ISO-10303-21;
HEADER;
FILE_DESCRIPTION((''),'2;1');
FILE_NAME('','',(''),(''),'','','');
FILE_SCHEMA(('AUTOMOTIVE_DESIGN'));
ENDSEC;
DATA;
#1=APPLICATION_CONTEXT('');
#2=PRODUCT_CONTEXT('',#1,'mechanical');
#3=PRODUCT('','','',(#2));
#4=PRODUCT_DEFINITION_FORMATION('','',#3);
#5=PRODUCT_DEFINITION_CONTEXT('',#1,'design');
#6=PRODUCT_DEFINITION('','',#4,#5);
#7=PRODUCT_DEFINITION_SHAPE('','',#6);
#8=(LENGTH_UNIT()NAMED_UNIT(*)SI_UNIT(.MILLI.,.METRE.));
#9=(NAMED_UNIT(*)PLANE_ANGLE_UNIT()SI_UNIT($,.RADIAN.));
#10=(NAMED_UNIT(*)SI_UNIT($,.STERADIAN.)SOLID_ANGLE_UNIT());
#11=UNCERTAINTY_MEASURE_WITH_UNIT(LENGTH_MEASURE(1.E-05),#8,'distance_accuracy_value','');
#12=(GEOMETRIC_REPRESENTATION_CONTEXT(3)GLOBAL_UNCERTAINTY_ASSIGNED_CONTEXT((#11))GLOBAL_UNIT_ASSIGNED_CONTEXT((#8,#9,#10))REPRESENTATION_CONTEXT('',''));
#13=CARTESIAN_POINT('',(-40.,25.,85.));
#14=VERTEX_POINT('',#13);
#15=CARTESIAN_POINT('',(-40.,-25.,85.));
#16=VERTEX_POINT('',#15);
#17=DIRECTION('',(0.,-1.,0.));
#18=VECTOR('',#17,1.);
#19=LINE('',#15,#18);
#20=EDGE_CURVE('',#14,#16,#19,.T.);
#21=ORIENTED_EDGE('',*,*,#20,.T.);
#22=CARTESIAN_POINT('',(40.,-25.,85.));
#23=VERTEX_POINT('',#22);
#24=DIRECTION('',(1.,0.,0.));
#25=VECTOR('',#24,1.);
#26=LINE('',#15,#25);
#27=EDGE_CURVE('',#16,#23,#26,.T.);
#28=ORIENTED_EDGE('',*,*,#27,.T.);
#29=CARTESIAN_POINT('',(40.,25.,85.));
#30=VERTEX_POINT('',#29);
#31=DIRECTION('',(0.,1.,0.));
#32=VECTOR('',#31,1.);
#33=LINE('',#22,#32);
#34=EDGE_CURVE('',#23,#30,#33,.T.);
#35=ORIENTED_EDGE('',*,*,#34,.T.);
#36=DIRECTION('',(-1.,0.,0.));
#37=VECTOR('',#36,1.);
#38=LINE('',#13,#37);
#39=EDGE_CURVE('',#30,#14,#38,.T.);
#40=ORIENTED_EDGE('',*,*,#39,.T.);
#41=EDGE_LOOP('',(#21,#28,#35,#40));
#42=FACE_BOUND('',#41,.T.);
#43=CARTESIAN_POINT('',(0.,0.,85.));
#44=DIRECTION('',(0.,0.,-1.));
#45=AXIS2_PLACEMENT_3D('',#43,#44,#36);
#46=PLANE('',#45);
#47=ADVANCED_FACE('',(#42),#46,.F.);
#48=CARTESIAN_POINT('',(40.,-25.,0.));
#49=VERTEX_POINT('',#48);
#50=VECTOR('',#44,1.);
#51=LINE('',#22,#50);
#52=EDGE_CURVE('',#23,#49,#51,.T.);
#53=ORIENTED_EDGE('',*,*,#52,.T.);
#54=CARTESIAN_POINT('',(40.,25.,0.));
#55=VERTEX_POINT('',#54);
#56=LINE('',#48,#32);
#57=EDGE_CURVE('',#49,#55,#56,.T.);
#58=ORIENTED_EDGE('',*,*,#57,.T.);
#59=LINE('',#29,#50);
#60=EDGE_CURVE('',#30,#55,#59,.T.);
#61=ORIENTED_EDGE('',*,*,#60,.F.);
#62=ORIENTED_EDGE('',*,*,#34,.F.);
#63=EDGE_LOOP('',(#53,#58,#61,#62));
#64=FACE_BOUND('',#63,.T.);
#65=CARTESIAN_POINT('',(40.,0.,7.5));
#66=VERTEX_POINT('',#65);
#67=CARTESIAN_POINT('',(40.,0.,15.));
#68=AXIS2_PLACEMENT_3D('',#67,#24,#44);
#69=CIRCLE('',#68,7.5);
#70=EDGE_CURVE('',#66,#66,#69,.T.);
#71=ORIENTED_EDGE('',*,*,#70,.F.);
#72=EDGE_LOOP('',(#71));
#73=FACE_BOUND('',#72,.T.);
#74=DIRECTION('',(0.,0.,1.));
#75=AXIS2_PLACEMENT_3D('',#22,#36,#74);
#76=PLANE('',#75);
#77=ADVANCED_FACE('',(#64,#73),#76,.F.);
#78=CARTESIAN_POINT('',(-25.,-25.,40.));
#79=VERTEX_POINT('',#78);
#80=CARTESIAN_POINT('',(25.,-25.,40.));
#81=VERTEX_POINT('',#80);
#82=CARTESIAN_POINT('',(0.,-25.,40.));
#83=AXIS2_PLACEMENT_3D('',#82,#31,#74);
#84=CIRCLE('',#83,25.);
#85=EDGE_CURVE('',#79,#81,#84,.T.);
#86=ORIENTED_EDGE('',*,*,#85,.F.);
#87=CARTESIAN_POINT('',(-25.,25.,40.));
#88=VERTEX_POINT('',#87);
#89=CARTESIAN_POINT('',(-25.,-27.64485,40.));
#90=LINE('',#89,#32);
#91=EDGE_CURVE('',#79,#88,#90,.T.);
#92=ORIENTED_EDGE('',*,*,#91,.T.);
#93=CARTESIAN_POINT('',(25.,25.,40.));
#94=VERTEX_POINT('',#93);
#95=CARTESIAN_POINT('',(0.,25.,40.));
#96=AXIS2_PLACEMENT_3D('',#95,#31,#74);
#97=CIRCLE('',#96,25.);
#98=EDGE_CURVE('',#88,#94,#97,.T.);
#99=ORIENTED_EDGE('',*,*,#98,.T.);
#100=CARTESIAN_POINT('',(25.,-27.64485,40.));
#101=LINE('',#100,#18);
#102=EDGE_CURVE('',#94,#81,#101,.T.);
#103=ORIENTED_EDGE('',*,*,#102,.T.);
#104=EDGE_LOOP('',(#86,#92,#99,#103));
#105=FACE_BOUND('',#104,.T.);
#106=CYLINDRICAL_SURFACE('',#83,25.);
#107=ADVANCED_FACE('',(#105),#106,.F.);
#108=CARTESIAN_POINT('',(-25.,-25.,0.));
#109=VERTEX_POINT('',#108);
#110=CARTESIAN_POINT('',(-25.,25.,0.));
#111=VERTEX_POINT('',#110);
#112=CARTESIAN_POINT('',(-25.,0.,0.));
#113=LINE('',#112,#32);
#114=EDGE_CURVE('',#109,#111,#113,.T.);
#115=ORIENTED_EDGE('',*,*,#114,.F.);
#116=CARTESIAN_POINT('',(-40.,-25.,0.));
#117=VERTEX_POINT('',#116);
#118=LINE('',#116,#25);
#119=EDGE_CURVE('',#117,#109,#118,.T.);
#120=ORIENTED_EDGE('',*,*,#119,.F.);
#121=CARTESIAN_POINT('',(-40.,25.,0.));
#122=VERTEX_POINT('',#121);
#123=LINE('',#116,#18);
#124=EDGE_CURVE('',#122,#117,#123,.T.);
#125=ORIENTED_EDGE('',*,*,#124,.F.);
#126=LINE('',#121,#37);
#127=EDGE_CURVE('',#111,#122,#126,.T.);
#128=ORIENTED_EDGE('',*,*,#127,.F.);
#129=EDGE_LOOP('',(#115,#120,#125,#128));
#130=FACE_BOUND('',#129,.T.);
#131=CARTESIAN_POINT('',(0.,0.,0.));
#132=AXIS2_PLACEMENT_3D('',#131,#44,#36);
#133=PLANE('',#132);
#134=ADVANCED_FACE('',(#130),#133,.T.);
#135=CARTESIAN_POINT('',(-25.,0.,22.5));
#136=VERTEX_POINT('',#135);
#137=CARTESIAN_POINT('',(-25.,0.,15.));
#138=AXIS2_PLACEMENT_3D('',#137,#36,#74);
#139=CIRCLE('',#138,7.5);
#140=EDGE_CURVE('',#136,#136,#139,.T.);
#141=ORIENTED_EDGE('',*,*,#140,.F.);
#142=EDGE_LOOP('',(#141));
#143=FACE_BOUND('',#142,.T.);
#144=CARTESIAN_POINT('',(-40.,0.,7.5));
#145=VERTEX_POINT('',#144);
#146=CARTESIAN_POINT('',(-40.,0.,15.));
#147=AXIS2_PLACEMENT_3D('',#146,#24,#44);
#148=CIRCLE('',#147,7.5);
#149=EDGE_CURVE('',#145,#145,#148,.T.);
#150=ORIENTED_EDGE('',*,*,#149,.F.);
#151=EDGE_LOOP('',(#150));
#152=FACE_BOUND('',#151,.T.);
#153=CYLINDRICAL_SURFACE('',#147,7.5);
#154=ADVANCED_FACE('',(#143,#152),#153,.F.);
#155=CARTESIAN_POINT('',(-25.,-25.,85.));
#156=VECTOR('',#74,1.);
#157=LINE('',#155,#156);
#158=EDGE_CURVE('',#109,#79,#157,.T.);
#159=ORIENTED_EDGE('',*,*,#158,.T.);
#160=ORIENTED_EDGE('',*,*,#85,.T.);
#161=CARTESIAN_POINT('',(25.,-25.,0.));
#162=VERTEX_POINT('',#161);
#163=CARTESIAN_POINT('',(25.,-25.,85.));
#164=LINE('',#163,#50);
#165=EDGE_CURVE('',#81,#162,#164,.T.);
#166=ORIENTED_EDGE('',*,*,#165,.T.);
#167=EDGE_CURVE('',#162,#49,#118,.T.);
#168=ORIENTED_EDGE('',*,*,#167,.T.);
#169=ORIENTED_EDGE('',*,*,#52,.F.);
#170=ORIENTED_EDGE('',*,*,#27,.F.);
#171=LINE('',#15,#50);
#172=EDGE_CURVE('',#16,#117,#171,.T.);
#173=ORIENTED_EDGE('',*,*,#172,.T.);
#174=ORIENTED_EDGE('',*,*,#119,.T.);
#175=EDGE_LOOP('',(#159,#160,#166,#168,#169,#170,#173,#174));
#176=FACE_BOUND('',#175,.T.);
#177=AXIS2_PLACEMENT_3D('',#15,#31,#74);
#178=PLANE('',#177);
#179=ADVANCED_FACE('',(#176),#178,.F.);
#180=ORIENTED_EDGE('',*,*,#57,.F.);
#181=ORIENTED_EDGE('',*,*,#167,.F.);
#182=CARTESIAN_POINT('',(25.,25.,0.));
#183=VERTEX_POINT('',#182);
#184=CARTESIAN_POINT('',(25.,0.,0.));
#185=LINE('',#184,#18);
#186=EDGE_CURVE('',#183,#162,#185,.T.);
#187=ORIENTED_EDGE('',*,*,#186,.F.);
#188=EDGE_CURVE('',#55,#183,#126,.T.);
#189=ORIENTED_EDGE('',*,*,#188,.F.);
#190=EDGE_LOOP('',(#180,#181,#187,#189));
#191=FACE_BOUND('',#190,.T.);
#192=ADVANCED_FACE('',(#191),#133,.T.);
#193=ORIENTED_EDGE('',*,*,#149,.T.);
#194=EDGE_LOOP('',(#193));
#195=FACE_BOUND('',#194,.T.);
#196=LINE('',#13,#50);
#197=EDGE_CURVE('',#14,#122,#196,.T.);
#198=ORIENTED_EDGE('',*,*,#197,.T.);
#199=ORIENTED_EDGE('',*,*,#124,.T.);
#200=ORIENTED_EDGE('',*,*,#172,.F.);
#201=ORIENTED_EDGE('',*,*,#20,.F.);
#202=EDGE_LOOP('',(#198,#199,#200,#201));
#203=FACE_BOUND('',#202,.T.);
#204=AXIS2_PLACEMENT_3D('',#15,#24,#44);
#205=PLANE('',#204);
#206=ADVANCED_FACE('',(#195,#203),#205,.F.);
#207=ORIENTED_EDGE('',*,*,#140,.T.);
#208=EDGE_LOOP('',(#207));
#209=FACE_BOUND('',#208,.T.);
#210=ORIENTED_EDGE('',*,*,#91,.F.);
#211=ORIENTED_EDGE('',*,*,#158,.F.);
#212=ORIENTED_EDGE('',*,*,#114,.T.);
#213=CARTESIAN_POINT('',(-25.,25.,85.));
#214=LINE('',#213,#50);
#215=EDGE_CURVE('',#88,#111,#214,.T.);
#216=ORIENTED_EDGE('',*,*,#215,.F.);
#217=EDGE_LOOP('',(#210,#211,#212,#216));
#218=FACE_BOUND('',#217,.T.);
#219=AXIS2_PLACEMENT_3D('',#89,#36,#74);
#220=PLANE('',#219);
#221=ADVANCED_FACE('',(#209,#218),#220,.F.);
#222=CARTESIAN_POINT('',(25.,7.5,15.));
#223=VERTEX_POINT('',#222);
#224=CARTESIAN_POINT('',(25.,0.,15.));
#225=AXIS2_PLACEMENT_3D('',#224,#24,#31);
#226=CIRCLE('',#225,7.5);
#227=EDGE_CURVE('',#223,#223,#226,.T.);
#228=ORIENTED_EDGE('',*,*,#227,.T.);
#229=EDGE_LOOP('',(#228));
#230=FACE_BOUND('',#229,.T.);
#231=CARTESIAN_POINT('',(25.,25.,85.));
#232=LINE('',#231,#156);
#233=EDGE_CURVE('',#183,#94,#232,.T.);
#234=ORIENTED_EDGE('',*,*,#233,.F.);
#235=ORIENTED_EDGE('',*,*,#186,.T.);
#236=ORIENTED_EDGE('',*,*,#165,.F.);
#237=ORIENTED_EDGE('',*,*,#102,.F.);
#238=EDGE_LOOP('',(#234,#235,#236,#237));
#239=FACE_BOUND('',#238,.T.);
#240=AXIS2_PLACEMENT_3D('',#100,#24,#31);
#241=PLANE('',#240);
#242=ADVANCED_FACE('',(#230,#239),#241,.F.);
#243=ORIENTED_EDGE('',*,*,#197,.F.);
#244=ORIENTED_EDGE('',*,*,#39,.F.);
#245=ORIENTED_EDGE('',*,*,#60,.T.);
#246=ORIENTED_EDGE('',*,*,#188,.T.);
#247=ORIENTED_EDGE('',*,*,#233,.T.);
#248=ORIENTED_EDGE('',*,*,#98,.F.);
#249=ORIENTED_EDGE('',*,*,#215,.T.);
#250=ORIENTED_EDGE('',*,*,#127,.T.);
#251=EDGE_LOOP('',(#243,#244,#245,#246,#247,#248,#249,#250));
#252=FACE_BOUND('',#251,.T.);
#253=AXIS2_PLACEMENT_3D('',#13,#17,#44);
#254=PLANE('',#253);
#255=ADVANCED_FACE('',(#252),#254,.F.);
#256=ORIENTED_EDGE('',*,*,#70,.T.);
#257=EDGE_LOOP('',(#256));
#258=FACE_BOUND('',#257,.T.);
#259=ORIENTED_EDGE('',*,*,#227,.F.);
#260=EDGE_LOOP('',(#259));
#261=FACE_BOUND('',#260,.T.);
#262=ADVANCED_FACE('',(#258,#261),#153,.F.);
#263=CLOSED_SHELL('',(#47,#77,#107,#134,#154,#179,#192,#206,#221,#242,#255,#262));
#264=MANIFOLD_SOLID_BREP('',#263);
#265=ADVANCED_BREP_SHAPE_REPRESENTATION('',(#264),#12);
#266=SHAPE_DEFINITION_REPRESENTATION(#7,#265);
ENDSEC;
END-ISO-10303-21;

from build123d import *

# Parameters (mm, degrees)
SKETCH1_W           = 80
SKETCH1_H           = 50
BOSS_EXTRUDE1_DEPTH = 85
SKETCH3_W           = 50
SKETCH3_H           = 55.289699502
CUT_EXTRUDE1_DEPTH  = 40
SKETCH4_R           = 7.5
CUT_EXTRUDE3_DEPTH  = 120.373363863
CUT_EXTRUDE4_DEPTH  = 107.418983269


with BuildPart() as part:
    # Sketch1 → Boss-Extrude1 (new body)
    with BuildSketch(Plane.XY):
        Rectangle(SKETCH1_W, SKETCH1_H)
    extrude(amount=BOSS_EXTRUDE1_DEPTH)

    # Sketch3 → Cut-Extrude1 (cut)
    with BuildSketch(Plane(origin=(0, 0, 0), x_dir=(-1, 0, 0), z_dir=(0, 0, -1))):
        Rectangle(SKETCH3_W, SKETCH3_H)
    extrude(amount=-CUT_EXTRUDE1_DEPTH, mode=Mode.SUBTRACT)

    # Sketch4 → Cut-Extrude3 (cut, through all)
    with BuildSketch(Plane(origin=(40, 0, 0), x_dir=(0, 0, -1), z_dir=(1, 0, 0))):
        with Locations((-15, 0)):
            Circle(SKETCH4_R)
    extrude(amount=-CUT_EXTRUDE3_DEPTH, mode=Mode.SUBTRACT)

    # Sketch5 → Cut-Extrude4 (cut, through all)
    with BuildSketch(Plane(origin=(0, 25, 0), x_dir=(1, 0, 0), z_dir=(0, 1, 0))):
        with BuildLine():
            Line((25, -40), (-25, -40))
            ThreePointArc((-25, -40), (0, -65), (25, -40))
        make_face()
    extrude(amount=-CUT_EXTRUDE4_DEPTH, mode=Mode.SUBTRACT)


solid = part.part
